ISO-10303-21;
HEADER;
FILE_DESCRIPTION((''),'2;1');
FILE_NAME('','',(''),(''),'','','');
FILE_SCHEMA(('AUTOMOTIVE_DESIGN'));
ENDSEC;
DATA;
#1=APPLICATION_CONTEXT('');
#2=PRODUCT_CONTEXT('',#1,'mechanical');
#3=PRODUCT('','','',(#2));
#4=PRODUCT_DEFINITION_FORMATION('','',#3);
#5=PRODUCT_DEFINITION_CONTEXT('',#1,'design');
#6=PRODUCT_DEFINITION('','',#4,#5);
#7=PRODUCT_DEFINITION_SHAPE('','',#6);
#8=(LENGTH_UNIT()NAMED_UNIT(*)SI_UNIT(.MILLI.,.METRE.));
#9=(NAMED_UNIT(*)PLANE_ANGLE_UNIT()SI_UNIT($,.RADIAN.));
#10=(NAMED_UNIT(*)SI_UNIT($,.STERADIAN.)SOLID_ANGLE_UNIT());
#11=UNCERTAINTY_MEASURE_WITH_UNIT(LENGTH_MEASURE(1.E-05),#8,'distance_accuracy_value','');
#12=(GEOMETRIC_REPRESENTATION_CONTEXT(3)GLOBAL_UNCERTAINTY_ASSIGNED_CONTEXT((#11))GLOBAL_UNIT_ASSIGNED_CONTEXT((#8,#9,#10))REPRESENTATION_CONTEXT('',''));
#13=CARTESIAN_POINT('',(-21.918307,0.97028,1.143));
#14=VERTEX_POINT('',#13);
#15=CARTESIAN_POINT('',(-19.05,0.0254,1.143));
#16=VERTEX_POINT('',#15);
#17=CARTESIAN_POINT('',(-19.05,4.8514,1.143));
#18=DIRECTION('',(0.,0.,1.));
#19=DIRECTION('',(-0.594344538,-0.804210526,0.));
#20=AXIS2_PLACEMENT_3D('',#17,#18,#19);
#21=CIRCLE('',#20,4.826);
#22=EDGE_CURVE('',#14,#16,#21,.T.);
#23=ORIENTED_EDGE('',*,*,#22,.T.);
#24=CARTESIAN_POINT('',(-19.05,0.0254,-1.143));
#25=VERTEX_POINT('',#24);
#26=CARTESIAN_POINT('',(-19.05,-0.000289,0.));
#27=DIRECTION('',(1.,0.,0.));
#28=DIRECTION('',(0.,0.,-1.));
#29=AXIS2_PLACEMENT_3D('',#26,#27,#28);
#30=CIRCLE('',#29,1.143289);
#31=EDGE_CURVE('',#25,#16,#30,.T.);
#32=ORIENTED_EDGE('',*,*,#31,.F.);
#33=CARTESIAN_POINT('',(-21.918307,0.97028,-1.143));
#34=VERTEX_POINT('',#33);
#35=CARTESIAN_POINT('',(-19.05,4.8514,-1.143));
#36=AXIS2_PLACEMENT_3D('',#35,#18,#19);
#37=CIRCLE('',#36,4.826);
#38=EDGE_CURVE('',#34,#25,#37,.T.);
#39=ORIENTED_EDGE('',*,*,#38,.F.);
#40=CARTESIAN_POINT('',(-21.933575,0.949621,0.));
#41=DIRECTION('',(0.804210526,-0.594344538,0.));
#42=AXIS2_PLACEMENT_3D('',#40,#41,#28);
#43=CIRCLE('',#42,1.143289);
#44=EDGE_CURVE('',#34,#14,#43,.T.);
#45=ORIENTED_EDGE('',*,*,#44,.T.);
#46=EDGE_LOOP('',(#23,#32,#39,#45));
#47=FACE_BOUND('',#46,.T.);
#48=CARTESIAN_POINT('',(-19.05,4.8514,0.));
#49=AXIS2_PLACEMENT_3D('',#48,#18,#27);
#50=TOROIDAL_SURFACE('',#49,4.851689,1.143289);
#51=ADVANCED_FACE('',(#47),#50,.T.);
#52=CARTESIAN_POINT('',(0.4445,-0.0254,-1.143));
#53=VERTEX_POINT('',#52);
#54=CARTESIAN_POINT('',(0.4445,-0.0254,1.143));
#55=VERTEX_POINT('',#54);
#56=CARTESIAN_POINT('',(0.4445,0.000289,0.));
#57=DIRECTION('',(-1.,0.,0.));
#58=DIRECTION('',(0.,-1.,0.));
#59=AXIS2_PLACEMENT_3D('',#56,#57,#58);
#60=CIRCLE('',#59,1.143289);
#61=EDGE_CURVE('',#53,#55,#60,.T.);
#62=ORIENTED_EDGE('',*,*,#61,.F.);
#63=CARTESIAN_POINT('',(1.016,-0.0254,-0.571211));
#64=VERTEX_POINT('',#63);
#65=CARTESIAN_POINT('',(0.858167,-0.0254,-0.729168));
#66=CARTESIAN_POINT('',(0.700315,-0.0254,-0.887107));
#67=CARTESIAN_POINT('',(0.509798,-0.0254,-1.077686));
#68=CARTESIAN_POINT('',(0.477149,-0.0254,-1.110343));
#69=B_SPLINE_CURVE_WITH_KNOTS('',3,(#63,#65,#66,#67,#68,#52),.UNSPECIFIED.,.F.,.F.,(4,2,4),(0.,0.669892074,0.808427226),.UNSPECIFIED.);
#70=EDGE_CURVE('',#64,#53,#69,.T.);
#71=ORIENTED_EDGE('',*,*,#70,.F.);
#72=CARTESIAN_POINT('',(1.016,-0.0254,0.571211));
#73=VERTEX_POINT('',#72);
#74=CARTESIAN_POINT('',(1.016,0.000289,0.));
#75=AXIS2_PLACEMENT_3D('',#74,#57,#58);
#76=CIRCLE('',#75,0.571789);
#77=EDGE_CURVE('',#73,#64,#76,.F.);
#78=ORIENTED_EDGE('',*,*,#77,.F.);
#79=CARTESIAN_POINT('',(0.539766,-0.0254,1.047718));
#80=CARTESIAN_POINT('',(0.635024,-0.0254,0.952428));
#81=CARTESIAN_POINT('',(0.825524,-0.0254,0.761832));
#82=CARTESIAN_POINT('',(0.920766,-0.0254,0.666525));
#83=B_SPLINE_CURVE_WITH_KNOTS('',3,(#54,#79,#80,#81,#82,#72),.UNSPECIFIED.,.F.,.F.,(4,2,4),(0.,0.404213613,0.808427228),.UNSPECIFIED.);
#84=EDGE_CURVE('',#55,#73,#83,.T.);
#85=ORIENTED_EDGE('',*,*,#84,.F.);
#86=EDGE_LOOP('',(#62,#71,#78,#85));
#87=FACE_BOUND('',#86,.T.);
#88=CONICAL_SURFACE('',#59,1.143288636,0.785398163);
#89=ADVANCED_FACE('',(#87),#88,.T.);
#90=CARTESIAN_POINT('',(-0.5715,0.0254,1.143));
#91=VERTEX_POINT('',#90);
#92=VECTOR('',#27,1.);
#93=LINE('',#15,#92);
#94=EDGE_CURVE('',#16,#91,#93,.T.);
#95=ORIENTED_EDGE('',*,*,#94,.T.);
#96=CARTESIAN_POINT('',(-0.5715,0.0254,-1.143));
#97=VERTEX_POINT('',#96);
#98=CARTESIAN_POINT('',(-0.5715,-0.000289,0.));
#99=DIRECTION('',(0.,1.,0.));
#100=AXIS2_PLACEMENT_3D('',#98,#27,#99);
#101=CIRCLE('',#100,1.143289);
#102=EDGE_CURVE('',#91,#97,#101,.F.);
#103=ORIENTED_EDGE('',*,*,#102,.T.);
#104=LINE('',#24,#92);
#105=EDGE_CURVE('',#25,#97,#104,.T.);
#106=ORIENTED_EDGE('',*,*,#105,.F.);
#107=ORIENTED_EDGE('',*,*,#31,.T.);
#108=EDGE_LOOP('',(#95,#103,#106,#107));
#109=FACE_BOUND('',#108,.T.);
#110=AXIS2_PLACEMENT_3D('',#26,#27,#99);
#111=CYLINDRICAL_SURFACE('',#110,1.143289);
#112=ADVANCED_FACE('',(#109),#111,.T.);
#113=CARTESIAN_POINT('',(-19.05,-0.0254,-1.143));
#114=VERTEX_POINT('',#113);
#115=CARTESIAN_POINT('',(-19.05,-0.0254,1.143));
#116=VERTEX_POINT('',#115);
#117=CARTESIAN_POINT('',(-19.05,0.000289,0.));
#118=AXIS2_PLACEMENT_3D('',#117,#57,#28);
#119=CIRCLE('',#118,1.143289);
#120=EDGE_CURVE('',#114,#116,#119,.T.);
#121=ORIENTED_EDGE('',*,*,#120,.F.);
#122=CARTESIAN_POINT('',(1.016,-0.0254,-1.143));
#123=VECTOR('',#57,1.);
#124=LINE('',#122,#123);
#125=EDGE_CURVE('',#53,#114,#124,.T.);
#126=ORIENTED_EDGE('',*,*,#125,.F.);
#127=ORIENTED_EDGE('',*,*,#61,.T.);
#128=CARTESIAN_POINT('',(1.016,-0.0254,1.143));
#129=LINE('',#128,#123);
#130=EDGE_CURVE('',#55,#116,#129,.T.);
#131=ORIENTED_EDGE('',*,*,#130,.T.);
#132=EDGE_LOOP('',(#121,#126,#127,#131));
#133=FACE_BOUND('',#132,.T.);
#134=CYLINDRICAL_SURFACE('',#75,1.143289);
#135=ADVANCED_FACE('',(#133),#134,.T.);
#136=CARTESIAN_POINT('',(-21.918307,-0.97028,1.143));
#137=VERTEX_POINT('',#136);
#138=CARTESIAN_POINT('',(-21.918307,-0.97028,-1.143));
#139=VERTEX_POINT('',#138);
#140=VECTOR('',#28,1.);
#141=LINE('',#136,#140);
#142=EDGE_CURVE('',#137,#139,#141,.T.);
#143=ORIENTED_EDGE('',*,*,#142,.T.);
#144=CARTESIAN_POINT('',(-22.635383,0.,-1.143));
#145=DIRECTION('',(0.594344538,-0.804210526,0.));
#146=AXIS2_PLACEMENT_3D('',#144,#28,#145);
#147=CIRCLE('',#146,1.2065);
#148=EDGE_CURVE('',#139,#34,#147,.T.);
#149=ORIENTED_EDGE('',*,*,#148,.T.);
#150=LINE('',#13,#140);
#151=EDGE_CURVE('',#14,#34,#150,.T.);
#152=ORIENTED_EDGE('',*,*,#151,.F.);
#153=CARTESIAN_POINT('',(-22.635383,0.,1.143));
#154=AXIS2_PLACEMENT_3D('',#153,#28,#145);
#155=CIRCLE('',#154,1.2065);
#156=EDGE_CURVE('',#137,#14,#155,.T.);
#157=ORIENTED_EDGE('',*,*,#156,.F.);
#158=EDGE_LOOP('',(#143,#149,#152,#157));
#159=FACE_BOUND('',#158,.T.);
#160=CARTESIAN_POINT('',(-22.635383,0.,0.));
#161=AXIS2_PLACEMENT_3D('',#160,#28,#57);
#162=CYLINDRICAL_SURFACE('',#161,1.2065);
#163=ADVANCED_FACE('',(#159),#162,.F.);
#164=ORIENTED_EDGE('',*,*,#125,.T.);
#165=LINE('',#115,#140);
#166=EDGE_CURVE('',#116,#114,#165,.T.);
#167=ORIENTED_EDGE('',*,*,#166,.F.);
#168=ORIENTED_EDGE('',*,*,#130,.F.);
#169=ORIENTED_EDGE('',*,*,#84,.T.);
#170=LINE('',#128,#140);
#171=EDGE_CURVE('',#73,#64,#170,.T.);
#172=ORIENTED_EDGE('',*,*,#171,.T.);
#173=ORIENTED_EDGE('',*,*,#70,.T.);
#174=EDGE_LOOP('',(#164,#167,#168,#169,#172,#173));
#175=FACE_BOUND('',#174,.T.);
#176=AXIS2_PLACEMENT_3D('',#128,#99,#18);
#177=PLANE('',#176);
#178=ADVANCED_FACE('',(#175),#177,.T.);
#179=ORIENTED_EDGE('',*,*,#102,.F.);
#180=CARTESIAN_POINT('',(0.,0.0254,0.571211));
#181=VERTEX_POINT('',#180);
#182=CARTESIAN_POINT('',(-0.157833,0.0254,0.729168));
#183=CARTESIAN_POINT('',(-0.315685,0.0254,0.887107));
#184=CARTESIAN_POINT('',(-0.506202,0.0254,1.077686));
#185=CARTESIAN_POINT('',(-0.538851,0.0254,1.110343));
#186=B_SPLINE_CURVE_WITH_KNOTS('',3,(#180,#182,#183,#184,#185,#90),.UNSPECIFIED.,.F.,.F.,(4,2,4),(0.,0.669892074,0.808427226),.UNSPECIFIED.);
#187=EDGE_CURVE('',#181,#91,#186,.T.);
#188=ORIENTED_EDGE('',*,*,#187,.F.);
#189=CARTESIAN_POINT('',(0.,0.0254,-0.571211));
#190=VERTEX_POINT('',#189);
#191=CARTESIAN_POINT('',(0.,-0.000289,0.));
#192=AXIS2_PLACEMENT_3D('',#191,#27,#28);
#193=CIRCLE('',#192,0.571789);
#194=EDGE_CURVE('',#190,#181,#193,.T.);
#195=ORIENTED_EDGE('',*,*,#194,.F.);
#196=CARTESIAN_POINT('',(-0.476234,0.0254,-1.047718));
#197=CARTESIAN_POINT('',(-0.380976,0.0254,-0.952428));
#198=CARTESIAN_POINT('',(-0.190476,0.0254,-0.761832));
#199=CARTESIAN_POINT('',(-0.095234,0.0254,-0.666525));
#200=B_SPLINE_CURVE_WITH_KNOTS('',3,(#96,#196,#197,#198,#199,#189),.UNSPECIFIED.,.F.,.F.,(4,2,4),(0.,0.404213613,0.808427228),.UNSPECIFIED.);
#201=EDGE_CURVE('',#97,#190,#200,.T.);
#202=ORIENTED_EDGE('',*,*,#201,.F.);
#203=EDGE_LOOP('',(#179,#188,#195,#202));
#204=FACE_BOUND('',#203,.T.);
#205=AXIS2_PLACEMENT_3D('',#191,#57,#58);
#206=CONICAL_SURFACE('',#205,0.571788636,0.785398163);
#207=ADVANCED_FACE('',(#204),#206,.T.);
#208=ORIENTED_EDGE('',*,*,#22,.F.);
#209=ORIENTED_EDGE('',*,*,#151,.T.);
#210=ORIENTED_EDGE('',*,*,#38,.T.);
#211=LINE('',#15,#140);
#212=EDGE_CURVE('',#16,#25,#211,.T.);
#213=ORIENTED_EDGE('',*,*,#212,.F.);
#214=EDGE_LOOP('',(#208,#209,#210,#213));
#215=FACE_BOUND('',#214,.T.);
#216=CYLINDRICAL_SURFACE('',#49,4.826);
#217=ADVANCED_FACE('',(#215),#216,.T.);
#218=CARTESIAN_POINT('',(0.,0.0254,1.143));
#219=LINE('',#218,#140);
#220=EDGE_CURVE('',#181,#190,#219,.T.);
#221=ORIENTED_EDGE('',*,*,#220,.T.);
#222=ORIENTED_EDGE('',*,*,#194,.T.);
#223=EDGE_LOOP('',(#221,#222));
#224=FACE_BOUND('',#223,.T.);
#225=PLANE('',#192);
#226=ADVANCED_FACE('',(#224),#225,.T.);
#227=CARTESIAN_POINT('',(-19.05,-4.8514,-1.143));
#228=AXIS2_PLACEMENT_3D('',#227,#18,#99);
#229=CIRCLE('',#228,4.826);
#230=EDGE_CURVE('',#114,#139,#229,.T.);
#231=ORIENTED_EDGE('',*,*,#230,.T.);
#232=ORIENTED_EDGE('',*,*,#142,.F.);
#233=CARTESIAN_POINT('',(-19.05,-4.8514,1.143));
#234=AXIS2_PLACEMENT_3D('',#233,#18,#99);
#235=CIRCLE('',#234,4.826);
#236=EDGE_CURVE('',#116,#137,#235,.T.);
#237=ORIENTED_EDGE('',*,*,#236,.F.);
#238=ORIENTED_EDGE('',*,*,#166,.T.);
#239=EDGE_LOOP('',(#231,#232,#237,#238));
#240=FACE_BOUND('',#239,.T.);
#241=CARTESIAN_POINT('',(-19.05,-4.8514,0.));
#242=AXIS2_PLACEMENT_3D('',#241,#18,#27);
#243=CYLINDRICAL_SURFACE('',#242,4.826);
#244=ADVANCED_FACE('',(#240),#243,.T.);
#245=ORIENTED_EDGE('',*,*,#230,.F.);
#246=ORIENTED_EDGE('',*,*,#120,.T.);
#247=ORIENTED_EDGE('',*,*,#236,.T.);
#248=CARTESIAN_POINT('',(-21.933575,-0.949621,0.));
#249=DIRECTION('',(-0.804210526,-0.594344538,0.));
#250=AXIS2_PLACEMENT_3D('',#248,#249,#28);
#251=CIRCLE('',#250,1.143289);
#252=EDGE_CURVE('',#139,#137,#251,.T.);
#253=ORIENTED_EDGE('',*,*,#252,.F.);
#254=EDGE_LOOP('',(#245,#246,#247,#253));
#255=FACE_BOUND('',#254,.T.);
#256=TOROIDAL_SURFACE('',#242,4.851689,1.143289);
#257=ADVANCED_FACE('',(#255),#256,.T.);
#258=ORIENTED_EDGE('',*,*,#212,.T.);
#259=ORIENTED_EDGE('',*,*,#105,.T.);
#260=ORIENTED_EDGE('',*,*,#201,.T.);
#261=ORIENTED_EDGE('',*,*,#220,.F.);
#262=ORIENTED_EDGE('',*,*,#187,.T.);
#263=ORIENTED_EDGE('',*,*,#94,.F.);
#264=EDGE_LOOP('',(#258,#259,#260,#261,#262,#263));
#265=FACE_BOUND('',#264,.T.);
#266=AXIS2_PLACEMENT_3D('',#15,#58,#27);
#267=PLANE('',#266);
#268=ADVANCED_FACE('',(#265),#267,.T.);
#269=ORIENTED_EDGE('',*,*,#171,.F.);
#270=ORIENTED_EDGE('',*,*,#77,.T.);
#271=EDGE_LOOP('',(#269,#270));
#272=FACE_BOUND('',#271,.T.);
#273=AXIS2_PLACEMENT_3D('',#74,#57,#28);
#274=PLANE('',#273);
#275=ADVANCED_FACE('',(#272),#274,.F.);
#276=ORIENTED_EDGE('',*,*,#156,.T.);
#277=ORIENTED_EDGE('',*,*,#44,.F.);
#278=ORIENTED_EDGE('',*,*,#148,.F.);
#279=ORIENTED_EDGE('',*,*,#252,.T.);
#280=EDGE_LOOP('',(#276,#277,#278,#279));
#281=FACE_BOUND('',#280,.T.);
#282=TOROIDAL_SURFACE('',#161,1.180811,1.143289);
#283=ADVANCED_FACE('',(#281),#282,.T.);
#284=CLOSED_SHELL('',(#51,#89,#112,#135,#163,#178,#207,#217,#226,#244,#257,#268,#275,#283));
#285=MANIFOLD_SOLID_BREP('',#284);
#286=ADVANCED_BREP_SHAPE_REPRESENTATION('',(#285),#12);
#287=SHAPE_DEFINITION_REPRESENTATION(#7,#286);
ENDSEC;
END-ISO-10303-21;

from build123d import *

# Parameters (mm, degrees)
CHAMFER1_SIZE = 0.5715


with BuildPart() as part:
    # Sweep2: sweep along a path in Sketch3
    with BuildLine(Plane.XY) as sweep2_path:
        Line((1.016, -0.0254), (-19.05, -0.0254))
        ThreePointArc((-19.05, -0.0254), (-20.559965377, -0.267702741), (-21.918306738, -0.97028))
        ThreePointArc((-21.918306738, -0.97028), (-23.841883423, 0), (-21.918306738, 0.97028))
        ThreePointArc((-21.918306738, 0.97028), (-20.559965377, 0.267702741), (-19.05, 0.0254))
        Line((-19.05, 0.0254), (0, 0.0254))
    # Sketch4 → Sweep2 (sweep)
    with BuildSketch(Plane(origin=(0, 0, 0), x_dir=(0, 0, -1), z_dir=(1, 0, 0))):
        with BuildLine():
            Line((-1.143, 0.0254), (1.143, 0.0254))
            ThreePointArc((1.143, 0.0254), (0, 1.143), (-1.143, 0.0254))
        make_face()
    sweep(path=sweep2_path.line)

    # Chamfer1
    chamfer1_edges = [part.edges().sort_by_distance(p)[0] for p in [
        (0, 1.143, 0),
        (1.016, -1.143, 0),
    ]]
    chamfer(chamfer1_edges, length=CHAMFER1_SIZE)


solid = part.part
